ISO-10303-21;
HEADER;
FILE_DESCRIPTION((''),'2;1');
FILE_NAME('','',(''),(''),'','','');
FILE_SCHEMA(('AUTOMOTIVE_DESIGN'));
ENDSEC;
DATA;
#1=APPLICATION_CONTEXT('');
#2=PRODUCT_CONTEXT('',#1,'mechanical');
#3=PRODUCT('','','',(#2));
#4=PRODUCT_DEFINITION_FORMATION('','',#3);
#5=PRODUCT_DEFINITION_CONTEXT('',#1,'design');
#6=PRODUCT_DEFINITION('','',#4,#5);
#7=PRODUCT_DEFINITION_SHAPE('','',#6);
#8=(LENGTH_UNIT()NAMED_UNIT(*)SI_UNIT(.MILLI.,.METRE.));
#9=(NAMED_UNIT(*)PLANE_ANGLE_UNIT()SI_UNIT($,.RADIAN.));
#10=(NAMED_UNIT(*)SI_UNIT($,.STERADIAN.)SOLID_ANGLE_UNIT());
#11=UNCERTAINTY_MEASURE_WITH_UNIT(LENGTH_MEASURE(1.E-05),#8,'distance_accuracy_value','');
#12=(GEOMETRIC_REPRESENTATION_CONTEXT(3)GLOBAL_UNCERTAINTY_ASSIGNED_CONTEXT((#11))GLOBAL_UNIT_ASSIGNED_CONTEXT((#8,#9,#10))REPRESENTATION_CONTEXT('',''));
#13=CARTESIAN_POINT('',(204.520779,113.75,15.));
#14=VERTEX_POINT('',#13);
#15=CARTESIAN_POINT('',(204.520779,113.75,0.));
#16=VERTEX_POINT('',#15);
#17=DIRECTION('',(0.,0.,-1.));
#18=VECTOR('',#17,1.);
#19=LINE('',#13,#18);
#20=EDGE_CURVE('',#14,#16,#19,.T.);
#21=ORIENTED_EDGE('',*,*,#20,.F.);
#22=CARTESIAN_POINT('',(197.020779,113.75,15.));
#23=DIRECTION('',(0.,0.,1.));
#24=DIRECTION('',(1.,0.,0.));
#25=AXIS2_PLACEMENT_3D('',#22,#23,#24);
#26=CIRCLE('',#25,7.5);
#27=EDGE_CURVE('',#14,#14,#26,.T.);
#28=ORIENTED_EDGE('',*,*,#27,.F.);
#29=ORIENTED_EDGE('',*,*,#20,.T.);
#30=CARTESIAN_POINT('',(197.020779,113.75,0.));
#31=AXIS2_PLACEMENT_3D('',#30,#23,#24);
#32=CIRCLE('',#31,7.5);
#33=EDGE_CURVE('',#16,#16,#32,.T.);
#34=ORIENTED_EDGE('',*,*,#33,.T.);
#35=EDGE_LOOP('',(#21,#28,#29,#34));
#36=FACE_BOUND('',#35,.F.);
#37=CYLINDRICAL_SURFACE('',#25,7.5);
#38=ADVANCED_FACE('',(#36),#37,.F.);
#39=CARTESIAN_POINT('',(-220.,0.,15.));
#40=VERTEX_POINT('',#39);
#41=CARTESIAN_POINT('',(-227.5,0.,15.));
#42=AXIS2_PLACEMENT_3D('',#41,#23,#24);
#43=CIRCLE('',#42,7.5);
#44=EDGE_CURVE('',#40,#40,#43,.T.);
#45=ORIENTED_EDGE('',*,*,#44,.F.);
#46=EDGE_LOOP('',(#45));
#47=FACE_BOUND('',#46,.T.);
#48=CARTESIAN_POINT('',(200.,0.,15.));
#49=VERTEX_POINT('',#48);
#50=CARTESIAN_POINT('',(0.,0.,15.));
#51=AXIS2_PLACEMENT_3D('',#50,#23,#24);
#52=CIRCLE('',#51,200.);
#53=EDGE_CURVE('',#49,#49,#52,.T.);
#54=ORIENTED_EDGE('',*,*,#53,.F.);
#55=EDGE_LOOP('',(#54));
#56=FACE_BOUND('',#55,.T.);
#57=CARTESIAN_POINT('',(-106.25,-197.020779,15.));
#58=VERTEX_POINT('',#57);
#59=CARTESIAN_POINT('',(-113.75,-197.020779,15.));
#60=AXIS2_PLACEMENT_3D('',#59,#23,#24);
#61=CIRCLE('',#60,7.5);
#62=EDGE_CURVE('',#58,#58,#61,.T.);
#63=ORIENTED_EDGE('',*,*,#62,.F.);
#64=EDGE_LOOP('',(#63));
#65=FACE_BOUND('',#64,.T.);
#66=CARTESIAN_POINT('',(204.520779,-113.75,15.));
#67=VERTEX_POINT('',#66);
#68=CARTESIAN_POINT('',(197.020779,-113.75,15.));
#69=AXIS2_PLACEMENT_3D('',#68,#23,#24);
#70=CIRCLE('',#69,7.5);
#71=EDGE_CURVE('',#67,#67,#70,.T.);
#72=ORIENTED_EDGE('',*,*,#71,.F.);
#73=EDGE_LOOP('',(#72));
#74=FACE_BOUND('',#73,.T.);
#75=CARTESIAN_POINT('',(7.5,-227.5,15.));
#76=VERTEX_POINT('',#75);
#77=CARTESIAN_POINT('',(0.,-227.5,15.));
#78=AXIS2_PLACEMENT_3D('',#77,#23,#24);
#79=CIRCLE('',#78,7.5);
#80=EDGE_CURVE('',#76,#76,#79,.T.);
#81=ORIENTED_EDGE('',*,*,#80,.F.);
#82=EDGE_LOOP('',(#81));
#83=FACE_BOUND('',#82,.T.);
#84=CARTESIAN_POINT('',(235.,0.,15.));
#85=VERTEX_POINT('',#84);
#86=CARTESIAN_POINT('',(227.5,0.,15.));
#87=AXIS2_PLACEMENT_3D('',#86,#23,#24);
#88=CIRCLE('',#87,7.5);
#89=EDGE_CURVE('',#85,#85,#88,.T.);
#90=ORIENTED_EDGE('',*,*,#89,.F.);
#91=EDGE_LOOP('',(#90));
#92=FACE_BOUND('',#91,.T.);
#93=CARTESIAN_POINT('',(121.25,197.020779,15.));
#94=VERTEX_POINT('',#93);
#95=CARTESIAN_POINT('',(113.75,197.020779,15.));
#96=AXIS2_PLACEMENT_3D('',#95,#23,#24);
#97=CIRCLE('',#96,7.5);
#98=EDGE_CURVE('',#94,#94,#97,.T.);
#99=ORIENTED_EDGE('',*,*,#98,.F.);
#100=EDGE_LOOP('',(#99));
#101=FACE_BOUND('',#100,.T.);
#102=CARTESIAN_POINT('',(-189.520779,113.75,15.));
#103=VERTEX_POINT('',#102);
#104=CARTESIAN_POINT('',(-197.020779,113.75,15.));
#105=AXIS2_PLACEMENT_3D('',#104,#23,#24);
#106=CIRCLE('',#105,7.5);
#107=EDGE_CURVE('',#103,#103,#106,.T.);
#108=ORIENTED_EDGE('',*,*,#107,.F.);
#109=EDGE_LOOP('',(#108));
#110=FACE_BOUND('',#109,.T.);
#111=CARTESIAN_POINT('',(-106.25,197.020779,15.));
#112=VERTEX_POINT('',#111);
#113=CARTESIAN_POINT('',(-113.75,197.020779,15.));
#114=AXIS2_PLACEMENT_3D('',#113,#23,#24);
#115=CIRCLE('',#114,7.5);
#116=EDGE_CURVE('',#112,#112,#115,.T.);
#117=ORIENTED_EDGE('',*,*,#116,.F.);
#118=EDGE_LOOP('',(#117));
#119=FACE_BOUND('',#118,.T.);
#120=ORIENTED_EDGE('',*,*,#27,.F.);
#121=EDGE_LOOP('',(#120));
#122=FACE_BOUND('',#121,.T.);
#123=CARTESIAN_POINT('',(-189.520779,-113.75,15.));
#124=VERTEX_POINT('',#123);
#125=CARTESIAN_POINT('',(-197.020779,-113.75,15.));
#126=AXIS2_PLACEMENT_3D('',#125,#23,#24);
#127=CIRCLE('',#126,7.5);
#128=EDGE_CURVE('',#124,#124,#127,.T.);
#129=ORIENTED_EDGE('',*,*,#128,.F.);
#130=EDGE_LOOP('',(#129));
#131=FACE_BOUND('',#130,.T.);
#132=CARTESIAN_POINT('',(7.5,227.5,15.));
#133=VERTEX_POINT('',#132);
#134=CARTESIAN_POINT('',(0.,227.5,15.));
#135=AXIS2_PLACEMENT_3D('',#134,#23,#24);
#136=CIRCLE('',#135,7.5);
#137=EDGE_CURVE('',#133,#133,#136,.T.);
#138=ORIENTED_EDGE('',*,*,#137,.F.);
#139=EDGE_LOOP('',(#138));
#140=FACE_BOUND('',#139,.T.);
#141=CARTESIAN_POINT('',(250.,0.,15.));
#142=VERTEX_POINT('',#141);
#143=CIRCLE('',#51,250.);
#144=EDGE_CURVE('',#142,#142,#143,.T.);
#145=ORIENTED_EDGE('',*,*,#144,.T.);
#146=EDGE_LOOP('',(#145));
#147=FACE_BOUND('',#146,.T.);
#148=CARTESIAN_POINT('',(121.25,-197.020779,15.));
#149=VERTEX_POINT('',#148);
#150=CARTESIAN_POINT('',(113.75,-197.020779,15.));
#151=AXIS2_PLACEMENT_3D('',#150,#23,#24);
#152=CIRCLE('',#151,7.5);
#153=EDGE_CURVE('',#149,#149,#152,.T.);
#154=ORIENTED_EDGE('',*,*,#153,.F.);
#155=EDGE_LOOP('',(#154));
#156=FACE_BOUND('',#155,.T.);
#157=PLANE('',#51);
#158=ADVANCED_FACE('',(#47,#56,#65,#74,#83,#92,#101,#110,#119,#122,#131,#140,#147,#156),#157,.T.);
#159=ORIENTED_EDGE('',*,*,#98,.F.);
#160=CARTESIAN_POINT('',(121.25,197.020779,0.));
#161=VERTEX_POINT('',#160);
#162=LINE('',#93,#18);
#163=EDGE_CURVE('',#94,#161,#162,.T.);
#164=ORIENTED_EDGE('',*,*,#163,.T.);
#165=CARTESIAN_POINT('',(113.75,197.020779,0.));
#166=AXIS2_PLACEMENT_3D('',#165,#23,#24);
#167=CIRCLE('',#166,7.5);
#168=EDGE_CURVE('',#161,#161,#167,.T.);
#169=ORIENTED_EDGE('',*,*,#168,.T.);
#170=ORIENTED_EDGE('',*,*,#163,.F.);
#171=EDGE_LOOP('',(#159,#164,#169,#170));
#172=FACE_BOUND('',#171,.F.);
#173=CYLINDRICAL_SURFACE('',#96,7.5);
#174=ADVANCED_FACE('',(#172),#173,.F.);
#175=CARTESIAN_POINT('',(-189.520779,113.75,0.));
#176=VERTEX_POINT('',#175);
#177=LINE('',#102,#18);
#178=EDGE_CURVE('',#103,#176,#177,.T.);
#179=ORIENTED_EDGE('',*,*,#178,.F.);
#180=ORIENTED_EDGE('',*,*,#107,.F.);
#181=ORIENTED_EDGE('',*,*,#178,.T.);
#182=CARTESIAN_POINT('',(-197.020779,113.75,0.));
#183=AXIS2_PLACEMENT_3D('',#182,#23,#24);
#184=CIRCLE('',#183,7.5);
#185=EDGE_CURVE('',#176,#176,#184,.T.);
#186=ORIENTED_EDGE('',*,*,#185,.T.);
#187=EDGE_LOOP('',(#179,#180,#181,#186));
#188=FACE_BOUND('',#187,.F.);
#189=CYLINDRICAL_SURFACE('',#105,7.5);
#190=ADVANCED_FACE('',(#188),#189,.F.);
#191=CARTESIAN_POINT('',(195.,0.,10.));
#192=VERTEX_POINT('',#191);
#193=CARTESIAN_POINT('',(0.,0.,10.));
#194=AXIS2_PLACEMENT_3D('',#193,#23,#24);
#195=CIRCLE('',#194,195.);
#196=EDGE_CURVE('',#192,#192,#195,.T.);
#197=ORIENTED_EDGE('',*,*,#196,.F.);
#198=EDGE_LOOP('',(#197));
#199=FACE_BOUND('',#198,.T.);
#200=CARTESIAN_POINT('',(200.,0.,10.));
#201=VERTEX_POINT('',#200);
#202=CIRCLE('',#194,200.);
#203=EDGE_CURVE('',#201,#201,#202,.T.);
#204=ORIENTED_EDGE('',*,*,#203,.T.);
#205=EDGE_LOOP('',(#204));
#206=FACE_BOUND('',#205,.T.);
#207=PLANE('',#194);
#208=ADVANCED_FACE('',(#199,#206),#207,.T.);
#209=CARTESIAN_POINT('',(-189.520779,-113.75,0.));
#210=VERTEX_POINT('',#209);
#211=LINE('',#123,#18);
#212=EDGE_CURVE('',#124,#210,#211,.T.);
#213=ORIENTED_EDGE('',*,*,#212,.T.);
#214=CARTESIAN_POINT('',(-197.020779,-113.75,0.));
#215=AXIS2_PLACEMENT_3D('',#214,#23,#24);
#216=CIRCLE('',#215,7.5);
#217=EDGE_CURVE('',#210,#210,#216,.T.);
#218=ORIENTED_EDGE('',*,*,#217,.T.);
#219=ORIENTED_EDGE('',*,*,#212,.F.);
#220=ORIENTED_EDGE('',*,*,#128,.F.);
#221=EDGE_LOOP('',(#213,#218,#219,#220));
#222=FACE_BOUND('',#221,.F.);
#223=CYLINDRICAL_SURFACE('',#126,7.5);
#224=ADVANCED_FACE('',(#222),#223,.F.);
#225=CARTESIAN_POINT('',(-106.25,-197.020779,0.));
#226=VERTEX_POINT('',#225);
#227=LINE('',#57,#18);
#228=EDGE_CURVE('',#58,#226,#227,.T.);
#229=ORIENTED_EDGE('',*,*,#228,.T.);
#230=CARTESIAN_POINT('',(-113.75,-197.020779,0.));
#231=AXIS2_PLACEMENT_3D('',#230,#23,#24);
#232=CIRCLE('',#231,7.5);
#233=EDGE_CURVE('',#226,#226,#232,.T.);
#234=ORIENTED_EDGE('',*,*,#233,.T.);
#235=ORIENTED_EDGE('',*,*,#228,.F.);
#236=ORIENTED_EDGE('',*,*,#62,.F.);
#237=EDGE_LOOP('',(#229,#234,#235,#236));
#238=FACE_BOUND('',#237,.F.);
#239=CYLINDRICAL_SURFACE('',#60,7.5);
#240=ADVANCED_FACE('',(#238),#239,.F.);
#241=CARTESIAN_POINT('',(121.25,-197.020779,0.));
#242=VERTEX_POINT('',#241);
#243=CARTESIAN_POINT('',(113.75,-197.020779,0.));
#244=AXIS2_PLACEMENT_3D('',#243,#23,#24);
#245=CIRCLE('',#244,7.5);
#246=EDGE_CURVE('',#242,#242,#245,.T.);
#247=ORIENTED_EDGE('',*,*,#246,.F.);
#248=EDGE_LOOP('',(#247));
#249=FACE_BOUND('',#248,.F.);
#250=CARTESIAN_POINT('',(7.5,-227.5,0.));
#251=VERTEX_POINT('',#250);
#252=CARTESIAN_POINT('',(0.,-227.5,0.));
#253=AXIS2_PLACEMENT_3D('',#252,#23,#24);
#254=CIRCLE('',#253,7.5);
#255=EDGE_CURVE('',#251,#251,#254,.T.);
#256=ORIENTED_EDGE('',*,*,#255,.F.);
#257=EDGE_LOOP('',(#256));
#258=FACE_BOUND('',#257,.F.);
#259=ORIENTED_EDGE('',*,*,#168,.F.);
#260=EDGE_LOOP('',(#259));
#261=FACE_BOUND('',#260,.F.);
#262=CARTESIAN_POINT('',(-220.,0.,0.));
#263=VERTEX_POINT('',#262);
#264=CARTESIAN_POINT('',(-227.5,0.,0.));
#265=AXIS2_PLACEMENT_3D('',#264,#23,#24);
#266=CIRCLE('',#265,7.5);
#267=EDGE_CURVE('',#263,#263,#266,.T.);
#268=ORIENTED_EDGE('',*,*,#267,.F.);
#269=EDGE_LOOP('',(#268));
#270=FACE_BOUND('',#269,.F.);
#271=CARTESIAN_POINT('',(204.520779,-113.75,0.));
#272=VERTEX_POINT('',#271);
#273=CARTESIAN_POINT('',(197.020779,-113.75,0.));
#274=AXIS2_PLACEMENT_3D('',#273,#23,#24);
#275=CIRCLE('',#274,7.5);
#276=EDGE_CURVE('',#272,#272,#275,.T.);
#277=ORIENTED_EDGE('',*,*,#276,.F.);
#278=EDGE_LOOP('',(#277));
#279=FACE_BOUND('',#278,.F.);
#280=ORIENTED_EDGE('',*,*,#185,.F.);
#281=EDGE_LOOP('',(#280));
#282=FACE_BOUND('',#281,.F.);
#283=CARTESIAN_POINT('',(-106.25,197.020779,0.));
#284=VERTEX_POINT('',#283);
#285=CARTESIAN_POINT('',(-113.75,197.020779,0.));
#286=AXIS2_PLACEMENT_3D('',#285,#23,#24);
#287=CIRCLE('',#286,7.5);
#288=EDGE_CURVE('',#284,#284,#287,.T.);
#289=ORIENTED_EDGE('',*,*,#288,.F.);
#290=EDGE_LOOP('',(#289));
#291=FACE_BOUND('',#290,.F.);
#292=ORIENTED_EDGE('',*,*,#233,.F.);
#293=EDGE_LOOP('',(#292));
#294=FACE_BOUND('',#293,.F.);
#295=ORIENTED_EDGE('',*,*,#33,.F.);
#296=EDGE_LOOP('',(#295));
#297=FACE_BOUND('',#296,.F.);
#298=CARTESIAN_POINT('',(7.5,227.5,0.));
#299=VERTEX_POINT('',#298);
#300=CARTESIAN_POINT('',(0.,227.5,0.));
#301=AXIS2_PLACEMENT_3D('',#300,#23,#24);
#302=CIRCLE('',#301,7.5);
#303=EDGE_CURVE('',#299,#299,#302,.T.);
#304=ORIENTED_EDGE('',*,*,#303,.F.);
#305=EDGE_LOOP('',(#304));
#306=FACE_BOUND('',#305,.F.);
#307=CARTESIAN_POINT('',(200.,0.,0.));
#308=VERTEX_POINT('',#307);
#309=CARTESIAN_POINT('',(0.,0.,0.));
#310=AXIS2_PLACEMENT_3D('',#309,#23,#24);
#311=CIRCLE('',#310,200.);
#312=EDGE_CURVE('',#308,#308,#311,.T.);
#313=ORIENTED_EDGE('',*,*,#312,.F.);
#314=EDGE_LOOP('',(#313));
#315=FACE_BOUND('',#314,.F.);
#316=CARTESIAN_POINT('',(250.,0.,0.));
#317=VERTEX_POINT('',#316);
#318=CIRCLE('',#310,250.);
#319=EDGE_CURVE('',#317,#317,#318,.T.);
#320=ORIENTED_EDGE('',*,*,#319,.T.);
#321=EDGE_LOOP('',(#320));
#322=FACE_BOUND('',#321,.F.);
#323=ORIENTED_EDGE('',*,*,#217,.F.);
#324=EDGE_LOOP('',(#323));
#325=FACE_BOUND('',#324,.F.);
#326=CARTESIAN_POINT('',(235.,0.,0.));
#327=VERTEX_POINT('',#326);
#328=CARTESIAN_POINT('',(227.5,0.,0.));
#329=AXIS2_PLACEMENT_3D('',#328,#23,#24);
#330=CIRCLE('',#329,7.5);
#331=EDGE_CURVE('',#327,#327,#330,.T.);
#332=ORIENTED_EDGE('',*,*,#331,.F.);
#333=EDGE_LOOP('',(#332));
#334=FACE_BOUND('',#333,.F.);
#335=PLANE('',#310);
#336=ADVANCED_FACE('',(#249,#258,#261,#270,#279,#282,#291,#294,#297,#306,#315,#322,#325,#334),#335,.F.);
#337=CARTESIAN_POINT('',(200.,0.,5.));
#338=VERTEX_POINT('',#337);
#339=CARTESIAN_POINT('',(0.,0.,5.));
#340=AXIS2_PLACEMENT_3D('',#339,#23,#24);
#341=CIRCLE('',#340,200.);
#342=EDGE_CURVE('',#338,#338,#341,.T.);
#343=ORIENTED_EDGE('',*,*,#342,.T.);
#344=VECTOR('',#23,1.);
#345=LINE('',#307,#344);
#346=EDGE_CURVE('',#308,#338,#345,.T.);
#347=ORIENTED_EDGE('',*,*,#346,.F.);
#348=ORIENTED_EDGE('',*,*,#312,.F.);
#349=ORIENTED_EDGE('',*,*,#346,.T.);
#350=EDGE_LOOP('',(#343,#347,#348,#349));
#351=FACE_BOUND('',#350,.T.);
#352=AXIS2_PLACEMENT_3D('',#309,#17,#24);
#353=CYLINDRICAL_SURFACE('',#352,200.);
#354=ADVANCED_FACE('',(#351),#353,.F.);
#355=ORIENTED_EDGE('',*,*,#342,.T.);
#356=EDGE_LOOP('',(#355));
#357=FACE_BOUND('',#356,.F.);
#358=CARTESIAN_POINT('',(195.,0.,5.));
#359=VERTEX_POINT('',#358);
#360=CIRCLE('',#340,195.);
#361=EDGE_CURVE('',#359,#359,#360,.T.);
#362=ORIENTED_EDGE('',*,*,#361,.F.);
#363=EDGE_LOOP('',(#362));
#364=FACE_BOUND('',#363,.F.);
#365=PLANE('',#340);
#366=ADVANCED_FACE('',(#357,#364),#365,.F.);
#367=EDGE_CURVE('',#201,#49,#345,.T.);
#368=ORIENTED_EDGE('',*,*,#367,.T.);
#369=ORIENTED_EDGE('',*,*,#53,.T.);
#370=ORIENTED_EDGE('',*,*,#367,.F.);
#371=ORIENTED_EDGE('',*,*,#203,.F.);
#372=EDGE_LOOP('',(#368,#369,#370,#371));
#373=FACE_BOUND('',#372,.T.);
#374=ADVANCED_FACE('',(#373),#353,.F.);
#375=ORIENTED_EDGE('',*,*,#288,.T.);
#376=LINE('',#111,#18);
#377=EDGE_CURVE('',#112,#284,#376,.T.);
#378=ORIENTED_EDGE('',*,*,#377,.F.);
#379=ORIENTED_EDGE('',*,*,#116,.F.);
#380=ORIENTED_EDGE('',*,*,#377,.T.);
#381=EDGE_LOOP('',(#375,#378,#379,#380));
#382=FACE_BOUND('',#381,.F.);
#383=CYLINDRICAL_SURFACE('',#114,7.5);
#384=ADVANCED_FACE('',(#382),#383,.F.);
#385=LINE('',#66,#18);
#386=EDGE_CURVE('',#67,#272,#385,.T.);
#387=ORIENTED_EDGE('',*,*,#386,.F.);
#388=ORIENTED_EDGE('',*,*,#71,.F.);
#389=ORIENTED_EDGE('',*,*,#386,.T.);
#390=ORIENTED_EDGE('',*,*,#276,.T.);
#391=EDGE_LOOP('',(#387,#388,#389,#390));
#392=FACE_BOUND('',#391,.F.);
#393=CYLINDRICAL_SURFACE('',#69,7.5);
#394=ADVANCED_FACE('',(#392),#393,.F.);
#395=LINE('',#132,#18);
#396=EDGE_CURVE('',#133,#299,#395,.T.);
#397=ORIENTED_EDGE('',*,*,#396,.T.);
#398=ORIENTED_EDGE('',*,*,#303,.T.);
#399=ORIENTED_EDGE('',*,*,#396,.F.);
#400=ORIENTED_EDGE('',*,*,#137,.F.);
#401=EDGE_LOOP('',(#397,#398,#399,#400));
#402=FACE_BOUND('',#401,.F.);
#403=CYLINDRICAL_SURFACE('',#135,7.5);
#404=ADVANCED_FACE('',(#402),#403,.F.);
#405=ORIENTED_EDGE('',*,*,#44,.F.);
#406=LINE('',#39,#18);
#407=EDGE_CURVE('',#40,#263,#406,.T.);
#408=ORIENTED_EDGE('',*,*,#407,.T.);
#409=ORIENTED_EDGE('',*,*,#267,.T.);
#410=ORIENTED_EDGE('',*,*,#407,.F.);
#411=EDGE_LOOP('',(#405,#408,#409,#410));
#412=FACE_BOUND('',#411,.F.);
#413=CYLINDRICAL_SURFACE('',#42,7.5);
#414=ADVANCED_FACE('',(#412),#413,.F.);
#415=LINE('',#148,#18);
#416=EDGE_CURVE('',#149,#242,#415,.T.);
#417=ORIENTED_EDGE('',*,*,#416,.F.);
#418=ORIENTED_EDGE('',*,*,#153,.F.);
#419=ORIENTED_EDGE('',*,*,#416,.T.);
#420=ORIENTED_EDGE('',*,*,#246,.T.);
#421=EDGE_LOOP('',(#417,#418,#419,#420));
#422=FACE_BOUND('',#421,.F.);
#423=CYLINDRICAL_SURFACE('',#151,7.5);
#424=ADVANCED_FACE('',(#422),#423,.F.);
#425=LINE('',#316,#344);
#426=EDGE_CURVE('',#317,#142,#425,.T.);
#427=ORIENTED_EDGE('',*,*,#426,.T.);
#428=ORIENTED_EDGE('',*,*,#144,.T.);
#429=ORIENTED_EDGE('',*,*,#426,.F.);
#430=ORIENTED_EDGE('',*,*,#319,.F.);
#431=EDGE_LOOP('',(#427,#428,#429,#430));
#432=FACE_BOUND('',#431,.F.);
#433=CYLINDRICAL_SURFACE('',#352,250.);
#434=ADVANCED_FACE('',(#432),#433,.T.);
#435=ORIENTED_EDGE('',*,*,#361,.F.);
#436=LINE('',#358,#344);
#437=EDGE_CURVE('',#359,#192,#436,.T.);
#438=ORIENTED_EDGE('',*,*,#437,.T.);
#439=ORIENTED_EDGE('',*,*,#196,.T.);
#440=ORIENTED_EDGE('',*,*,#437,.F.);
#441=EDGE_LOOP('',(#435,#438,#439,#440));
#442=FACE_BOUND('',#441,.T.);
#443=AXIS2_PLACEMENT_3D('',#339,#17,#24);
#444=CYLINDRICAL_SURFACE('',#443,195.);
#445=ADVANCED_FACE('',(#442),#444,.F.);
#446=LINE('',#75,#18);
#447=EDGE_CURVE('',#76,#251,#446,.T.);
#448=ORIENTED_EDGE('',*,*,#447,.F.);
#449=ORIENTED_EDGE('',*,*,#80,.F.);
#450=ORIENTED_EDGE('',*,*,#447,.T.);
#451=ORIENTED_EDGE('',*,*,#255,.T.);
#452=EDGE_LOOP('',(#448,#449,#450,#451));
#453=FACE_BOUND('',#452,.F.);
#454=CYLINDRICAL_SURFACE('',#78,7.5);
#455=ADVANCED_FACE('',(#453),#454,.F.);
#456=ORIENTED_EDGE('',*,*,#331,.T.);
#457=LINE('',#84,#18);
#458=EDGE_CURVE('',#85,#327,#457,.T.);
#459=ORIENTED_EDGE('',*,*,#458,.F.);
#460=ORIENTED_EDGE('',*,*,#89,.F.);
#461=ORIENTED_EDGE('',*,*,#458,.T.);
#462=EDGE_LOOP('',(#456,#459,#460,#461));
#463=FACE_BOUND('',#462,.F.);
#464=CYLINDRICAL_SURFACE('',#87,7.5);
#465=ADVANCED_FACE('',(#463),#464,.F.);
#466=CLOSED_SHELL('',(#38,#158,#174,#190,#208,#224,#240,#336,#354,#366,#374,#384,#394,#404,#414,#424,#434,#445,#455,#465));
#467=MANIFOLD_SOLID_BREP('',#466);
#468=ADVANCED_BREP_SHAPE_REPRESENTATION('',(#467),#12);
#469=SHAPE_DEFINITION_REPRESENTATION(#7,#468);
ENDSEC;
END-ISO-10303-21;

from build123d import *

# Parameters (mm, degrees)
F0_R     = 250
F0_R_2   = 200
F1_DEPTH = 15
F2_R     = 7.5
F3_DEPTH = 15
F5_R     = 200
F5_R_2   = 195
F6_DEPTH = 5


with BuildPart() as f1:
    # F0 (on Top) → F1 (new body)
    with BuildSketch(Plane.XY):
        Circle(F0_R)
        Circle(F0_R_2, mode=Mode.SUBTRACT)
    extrude(amount=F1_DEPTH)

    # F2 (on face) → F3 (cut, through all)
    with BuildSketch(Plane.XY.offset(15)):
        with Locations((227.5, 0)):
            Circle(F2_R)
        with Locations((197.020779, 113.75)):
            Circle(F2_R)
        with Locations((113.75, 197.020779)):
            Circle(F2_R)
        with Locations((0, 227.5)):
            Circle(F2_R)
        with Locations((-113.75, 197.020779)):
            Circle(F2_R)
        with Locations((-197.020779, 113.75)):
            Circle(F2_R)
        with Locations((-227.5, 0)):
            Circle(F2_R)
        with Locations((-197.020779, -113.75)):
            Circle(F2_R)
        with Locations((-113.75, -197.020779)):
            Circle(F2_R)
        with Locations((0, -227.5)):
            Circle(F2_R)
        with Locations((113.75, -197.020779)):
            Circle(F2_R)
        with Locations((197.020779, -113.75)):
            Circle(F2_R)
    extrude(amount=-F3_DEPTH, mode=Mode.SUBTRACT)

    # F5 (on offset) → F6 (join)
    with BuildSketch(Plane.XY.offset(5)):
        Circle(F5_R)
        Circle(F5_R_2, mode=Mode.SUBTRACT)
    extrude(amount=F6_DEPTH)


solid = f1.part
